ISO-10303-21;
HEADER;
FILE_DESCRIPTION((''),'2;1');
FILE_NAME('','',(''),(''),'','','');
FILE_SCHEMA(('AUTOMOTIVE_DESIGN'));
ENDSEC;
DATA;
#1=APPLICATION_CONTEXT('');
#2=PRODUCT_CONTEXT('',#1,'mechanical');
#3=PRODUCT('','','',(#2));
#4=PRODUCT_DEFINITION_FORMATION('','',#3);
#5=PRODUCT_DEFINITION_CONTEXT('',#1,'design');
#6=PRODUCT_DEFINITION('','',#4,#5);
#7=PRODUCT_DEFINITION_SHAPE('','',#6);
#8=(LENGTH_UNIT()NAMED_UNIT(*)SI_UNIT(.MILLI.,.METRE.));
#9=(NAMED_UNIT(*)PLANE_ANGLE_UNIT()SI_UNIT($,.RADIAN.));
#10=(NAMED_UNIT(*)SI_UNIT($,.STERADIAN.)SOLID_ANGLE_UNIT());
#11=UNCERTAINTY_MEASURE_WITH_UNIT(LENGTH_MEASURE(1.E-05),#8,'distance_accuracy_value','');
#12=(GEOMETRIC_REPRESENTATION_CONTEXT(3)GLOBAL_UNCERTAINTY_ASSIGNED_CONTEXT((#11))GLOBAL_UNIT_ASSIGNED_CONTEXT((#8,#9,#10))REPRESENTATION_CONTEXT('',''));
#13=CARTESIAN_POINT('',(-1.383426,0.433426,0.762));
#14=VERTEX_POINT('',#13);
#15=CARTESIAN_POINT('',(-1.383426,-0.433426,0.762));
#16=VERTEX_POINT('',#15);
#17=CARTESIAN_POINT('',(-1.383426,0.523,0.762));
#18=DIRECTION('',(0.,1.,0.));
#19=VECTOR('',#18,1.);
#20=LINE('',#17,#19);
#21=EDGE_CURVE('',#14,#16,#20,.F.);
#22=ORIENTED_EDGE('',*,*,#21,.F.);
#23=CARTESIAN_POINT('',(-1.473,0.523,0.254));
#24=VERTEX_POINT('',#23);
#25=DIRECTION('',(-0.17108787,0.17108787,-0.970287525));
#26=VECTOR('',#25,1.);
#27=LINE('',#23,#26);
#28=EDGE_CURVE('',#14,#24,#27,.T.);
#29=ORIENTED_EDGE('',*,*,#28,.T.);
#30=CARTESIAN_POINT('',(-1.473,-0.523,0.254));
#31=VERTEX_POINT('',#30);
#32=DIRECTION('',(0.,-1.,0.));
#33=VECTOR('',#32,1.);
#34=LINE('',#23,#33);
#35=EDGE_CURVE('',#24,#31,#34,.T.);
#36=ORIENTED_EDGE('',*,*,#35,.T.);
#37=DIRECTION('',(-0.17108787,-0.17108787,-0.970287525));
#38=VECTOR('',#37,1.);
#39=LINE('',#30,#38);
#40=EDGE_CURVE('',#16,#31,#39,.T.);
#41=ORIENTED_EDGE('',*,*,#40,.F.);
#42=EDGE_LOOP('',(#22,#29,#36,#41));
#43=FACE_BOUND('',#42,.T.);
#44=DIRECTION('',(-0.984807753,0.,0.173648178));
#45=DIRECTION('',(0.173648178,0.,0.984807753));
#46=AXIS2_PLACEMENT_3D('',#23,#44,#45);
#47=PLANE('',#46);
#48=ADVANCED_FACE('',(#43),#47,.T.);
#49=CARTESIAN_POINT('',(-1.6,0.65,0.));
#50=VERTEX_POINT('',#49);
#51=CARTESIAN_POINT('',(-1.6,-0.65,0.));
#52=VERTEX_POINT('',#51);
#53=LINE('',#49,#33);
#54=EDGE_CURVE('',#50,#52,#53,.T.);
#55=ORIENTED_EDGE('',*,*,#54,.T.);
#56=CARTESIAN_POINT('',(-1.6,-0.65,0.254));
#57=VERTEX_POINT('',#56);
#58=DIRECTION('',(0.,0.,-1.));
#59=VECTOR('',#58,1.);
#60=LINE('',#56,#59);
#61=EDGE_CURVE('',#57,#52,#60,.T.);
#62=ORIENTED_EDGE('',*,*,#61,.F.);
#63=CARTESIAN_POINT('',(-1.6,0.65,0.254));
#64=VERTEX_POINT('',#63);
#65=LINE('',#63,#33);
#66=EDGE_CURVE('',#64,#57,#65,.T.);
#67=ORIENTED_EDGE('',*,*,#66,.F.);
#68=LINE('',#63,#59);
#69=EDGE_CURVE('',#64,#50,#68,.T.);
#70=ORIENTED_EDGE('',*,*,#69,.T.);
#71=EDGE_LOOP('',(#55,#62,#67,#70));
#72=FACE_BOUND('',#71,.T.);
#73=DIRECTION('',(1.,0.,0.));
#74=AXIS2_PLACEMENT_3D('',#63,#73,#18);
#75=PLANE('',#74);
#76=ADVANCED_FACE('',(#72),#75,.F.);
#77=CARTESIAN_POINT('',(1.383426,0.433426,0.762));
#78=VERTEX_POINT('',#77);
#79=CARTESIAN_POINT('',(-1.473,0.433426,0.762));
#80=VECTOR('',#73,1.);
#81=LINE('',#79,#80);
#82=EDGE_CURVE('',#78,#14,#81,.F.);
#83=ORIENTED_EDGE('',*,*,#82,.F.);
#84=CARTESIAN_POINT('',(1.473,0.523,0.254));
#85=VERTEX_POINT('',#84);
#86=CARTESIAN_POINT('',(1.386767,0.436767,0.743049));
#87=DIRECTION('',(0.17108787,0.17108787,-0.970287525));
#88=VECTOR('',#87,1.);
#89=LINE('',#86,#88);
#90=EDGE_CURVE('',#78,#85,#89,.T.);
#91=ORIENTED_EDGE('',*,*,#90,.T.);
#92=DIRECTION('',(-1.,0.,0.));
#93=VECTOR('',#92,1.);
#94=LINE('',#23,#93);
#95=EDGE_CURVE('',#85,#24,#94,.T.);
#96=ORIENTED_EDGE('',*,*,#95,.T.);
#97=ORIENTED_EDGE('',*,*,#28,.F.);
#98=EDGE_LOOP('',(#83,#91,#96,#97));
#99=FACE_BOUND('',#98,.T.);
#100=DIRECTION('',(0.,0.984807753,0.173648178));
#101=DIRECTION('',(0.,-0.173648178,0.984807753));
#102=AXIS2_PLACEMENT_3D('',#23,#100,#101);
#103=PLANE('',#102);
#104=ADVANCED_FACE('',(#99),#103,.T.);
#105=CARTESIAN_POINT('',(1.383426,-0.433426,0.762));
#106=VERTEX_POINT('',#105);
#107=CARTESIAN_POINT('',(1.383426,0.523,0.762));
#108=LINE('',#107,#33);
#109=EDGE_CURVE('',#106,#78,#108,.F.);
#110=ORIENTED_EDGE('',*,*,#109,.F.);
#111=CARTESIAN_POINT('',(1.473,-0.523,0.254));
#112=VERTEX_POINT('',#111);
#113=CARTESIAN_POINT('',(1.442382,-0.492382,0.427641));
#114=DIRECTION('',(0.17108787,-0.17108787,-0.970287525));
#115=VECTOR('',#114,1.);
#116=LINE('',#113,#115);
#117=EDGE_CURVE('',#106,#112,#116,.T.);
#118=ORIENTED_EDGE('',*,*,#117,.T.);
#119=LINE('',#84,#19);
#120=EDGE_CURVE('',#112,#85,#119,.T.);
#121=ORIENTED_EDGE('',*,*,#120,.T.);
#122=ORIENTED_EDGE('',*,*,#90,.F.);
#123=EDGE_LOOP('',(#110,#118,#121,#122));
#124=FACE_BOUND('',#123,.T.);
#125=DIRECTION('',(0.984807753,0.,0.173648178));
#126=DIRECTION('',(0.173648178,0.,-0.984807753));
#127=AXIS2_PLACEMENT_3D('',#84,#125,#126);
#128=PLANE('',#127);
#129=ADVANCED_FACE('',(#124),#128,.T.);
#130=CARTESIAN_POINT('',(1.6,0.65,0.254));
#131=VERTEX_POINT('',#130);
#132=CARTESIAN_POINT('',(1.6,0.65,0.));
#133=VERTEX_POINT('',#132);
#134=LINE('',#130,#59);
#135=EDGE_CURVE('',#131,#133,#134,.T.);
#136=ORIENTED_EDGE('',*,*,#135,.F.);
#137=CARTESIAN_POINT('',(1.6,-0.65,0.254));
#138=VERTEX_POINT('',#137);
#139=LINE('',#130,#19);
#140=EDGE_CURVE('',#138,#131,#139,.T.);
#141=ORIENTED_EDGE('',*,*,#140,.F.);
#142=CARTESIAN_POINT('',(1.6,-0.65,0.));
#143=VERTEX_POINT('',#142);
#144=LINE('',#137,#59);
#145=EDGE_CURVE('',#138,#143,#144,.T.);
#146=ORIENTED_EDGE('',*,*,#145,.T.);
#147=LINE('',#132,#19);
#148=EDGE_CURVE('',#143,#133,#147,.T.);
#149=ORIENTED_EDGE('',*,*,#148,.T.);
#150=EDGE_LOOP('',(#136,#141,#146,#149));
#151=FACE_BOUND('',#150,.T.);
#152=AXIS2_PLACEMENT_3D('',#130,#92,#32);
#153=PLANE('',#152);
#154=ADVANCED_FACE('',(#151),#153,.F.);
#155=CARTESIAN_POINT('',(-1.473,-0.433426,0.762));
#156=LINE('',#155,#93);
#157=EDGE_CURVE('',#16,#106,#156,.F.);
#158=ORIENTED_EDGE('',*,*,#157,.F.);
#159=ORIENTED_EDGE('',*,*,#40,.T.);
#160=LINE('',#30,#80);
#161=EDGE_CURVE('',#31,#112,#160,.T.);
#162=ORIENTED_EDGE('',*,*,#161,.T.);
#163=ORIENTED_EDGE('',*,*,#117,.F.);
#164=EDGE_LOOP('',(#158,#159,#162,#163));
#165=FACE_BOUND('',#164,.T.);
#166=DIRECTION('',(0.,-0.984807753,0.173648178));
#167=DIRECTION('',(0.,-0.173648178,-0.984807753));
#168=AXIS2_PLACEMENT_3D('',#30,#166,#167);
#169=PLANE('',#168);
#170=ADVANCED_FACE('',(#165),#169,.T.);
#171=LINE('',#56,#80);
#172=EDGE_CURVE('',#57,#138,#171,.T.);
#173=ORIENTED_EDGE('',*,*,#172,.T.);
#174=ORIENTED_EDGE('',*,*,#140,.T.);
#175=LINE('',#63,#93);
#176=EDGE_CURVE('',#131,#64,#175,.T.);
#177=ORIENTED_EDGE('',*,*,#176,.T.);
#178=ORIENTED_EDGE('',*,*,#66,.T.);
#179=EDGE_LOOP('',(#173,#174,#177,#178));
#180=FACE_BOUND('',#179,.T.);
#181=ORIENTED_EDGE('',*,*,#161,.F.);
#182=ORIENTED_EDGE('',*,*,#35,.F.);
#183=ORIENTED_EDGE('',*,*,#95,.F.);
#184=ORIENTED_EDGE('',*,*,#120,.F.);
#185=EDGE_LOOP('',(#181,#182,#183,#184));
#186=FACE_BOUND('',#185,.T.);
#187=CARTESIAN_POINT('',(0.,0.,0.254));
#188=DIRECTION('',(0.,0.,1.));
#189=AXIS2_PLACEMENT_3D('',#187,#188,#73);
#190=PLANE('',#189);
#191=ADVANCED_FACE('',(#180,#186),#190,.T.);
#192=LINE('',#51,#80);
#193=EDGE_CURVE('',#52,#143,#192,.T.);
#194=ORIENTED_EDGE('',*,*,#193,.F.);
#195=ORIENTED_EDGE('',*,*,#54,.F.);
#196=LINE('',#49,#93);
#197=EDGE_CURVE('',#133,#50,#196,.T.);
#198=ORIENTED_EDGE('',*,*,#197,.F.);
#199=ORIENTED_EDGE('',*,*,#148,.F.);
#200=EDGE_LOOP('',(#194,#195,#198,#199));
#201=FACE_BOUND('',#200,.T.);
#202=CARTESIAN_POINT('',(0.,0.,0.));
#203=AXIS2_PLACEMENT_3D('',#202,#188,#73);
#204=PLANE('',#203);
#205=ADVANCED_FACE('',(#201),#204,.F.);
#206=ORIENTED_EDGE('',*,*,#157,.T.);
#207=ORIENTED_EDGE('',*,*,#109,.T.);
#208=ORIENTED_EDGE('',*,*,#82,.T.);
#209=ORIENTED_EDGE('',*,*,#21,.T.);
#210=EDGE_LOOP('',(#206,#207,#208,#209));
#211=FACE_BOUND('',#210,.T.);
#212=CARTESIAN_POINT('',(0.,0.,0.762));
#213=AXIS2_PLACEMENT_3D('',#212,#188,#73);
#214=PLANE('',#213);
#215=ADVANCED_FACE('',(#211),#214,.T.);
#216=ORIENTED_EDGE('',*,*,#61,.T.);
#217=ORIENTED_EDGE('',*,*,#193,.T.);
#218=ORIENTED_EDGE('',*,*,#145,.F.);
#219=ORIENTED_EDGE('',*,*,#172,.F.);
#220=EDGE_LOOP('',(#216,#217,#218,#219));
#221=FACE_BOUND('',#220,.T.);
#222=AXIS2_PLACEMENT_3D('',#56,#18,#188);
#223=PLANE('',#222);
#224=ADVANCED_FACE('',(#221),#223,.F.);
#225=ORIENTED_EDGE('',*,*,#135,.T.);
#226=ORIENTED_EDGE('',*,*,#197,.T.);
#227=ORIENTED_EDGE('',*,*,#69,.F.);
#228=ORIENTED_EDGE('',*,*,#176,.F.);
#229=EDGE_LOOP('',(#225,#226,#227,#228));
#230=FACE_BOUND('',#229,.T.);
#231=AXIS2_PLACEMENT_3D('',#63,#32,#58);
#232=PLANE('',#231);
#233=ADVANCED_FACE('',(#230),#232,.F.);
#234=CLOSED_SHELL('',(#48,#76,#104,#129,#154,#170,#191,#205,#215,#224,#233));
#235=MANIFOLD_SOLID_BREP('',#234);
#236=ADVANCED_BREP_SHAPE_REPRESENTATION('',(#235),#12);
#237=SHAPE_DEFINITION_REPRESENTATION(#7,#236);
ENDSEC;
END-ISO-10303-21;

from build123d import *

# Parameters (mm, degrees)
SKETCH1_W           = 3.2
SKETCH1_H           = 1.3
BOSS_EXTRUDE1_DEPTH = 0.254
SKETCH2_W           = 2.946
SKETCH2_H           = 1.046
BOSS_EXTRUDE2_DEPTH = 0.508
BOSS_EXTRUDE2_TAPER = 10


with BuildPart() as part:
    # Sketch1 → Boss-Extrude1 (new body)
    with BuildSketch(Plane.XY):
        Rectangle(SKETCH1_W, SKETCH1_H)
    extrude(amount=BOSS_EXTRUDE1_DEPTH)

    # Sketch2 → Boss-Extrude2 (add)
    with BuildSketch(Plane.XY.offset(0.254)):
        Rectangle(SKETCH2_W, SKETCH2_H)
    extrude(amount=BOSS_EXTRUDE2_DEPTH, taper=BOSS_EXTRUDE2_TAPER)


solid = part.part
